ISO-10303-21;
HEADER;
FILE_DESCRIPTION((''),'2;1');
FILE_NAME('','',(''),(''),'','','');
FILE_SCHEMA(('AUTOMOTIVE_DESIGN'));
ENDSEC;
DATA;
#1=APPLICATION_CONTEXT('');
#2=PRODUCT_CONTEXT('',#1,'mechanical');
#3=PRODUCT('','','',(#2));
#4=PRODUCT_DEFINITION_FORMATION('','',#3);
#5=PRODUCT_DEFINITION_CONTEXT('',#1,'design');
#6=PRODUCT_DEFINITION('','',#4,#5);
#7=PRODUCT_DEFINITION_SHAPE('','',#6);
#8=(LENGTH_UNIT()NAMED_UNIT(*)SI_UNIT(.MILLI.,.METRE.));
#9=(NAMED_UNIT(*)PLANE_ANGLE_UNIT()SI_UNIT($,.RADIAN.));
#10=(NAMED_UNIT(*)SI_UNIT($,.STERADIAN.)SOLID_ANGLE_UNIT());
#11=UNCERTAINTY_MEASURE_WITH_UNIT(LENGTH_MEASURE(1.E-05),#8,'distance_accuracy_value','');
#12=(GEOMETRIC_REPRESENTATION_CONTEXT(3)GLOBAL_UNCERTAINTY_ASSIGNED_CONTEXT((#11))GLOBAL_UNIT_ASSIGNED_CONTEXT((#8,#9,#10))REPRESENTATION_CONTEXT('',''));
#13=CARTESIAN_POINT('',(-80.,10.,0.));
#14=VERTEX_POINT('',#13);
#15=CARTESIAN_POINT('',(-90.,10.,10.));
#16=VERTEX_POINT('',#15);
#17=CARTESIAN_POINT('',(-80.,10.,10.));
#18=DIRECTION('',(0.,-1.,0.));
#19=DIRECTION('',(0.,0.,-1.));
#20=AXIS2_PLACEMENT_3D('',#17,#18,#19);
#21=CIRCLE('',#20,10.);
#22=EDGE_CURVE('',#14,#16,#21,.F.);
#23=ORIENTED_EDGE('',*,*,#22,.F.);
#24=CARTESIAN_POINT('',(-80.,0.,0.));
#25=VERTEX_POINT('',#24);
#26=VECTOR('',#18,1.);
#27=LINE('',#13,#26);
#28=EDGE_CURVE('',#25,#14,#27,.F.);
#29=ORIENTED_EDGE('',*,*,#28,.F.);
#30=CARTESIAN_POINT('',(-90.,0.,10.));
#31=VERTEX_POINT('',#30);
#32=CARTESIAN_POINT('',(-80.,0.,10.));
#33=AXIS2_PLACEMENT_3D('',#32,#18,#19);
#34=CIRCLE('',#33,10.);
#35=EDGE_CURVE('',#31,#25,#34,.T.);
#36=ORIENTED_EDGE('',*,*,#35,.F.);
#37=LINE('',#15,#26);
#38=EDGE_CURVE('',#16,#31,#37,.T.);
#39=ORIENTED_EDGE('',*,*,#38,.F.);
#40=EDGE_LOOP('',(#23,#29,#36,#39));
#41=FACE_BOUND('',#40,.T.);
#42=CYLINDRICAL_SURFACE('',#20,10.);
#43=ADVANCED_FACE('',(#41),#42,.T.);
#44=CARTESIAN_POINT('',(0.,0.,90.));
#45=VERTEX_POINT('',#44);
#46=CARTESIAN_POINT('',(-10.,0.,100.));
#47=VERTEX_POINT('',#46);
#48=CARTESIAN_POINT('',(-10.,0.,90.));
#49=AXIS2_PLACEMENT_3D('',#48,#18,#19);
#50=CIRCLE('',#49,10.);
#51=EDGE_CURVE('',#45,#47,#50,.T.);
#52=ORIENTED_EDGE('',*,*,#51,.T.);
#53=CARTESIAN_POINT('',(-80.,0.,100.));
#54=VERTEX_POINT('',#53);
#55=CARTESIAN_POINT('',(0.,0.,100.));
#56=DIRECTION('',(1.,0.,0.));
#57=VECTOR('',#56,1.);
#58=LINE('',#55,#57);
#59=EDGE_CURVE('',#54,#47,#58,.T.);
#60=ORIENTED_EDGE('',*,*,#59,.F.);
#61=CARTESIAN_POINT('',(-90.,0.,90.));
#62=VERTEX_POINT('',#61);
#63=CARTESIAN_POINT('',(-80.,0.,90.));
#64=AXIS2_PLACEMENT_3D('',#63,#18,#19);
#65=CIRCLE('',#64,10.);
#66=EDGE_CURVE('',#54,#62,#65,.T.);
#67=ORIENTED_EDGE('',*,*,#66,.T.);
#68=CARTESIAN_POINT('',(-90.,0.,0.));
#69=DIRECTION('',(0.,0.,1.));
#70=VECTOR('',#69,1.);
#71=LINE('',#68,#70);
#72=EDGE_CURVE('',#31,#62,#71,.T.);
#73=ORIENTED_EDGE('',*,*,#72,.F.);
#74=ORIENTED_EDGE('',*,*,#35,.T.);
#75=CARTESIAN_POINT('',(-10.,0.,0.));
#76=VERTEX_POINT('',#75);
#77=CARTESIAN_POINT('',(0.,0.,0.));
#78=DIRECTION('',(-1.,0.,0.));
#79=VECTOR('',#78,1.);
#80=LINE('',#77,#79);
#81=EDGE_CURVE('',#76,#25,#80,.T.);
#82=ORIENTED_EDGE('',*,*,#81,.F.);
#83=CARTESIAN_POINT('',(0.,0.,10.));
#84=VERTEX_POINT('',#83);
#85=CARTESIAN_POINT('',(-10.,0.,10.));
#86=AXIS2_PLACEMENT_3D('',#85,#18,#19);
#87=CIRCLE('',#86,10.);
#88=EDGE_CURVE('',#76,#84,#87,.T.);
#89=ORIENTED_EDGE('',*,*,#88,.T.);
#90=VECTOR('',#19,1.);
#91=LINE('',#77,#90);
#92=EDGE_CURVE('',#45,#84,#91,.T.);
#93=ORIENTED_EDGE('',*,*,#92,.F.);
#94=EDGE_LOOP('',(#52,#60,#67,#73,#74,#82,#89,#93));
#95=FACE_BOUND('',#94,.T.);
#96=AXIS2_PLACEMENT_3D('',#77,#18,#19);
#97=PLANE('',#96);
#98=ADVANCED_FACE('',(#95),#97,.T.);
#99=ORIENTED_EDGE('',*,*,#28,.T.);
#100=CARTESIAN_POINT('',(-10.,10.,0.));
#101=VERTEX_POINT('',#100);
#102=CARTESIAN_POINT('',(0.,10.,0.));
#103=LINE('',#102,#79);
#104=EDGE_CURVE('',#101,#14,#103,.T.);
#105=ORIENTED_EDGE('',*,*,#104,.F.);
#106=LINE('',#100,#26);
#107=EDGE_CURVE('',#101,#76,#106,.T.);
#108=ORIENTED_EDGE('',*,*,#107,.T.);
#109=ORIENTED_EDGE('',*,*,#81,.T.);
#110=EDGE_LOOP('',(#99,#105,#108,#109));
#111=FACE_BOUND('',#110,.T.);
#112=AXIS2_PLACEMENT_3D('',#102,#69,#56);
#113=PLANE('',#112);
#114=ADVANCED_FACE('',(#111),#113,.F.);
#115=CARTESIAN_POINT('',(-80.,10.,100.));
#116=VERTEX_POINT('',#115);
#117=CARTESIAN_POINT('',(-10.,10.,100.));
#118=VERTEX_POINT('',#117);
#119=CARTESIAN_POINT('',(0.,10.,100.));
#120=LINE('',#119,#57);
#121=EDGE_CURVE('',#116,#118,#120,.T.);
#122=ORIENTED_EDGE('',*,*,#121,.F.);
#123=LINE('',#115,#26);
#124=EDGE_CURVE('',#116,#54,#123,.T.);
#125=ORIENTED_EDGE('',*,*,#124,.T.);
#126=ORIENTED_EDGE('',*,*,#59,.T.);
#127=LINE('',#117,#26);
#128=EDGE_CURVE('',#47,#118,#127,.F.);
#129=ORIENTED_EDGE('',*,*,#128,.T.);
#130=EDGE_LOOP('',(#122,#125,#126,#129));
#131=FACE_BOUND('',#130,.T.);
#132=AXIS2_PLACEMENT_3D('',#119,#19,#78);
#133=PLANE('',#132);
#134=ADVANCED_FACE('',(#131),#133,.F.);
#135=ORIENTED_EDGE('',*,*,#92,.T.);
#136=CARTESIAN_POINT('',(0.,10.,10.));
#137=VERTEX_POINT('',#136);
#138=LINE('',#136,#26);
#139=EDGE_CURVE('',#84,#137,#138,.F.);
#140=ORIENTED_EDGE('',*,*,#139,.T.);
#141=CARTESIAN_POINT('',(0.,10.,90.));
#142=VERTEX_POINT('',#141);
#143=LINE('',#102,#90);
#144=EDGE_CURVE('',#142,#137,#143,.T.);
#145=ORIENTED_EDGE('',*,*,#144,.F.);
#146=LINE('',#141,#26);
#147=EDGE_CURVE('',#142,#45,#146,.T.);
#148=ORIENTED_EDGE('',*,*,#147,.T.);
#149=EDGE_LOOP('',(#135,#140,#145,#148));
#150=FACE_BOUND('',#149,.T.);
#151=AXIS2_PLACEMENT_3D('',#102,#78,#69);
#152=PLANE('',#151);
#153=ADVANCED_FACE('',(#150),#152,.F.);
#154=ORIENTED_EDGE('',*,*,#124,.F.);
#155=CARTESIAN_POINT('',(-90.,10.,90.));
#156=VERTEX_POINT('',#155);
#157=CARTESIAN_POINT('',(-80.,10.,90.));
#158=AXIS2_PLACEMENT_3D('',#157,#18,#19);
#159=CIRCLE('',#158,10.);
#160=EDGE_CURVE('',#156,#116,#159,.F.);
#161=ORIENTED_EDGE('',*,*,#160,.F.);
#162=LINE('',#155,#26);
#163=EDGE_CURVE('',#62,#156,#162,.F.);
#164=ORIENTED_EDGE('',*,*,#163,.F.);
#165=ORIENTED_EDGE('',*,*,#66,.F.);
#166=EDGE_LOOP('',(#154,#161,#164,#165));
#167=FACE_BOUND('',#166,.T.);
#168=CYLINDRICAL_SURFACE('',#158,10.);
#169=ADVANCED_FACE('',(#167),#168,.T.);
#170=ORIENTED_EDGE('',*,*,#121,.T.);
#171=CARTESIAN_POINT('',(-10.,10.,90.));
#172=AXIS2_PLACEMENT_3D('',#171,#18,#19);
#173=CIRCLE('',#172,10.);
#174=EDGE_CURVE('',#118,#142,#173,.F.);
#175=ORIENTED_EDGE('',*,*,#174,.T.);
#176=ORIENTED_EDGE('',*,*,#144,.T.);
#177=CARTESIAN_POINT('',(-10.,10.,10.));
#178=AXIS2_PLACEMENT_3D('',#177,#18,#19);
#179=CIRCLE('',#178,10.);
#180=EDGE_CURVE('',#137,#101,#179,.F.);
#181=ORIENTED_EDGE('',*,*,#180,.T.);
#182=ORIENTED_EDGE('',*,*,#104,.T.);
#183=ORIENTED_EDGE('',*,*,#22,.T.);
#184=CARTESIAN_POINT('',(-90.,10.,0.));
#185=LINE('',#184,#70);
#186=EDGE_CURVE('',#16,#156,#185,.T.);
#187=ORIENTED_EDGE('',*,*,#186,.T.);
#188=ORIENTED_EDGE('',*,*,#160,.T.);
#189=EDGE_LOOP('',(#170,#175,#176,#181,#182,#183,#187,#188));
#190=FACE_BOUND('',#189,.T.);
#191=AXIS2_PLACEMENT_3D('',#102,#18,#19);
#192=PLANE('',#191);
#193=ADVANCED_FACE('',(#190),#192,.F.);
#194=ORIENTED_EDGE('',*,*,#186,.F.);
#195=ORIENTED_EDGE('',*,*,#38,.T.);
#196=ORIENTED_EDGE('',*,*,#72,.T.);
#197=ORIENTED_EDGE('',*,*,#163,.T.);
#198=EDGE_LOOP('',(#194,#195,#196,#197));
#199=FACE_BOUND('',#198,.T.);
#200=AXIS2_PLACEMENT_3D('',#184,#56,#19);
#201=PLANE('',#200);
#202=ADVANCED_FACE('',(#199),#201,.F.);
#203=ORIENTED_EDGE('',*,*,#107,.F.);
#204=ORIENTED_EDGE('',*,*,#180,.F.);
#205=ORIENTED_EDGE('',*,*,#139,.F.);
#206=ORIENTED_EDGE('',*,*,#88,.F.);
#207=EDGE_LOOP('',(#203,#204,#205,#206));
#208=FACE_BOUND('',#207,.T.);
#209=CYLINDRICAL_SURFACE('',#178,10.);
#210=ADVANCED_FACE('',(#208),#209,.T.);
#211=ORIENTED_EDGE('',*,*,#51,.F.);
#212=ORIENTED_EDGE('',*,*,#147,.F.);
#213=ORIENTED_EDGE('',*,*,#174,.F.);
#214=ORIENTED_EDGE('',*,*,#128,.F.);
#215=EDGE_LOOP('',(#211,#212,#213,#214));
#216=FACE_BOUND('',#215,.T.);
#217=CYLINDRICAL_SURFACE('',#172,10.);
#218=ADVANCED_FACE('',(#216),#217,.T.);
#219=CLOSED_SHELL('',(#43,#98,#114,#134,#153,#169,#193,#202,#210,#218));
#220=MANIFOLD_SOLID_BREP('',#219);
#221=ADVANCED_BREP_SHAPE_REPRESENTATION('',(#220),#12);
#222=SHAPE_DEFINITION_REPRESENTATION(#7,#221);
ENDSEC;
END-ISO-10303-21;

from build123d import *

# Parameters (mm, degrees)
SKETCH1_W           = 90
SKETCH1_H           = 100
BOSS_EXTRUDE1_DEPTH = 10
FILLET1_R           = 10


with BuildPart() as part:
    # Sketch1 → Boss-Extrude1 (new body)
    with BuildSketch(Plane(origin=(0, 0, 0), x_dir=(1, 0, 0), z_dir=(0, 1, 0))):
        with Locations((-45, -50)):
            Rectangle(SKETCH1_W, SKETCH1_H)
    extrude(amount=BOSS_EXTRUDE1_DEPTH)

    # Fillet1
    fillet1_edges = [part.edges().sort_by_distance(p)[0] for p in [
        (0, 5, 100),
        (-90, 5, 100),
        (-90, 5, 0),
        (0, 5, 0),
    ]]
    fillet(fillet1_edges, radius=FILLET1_R)


solid = part.part
